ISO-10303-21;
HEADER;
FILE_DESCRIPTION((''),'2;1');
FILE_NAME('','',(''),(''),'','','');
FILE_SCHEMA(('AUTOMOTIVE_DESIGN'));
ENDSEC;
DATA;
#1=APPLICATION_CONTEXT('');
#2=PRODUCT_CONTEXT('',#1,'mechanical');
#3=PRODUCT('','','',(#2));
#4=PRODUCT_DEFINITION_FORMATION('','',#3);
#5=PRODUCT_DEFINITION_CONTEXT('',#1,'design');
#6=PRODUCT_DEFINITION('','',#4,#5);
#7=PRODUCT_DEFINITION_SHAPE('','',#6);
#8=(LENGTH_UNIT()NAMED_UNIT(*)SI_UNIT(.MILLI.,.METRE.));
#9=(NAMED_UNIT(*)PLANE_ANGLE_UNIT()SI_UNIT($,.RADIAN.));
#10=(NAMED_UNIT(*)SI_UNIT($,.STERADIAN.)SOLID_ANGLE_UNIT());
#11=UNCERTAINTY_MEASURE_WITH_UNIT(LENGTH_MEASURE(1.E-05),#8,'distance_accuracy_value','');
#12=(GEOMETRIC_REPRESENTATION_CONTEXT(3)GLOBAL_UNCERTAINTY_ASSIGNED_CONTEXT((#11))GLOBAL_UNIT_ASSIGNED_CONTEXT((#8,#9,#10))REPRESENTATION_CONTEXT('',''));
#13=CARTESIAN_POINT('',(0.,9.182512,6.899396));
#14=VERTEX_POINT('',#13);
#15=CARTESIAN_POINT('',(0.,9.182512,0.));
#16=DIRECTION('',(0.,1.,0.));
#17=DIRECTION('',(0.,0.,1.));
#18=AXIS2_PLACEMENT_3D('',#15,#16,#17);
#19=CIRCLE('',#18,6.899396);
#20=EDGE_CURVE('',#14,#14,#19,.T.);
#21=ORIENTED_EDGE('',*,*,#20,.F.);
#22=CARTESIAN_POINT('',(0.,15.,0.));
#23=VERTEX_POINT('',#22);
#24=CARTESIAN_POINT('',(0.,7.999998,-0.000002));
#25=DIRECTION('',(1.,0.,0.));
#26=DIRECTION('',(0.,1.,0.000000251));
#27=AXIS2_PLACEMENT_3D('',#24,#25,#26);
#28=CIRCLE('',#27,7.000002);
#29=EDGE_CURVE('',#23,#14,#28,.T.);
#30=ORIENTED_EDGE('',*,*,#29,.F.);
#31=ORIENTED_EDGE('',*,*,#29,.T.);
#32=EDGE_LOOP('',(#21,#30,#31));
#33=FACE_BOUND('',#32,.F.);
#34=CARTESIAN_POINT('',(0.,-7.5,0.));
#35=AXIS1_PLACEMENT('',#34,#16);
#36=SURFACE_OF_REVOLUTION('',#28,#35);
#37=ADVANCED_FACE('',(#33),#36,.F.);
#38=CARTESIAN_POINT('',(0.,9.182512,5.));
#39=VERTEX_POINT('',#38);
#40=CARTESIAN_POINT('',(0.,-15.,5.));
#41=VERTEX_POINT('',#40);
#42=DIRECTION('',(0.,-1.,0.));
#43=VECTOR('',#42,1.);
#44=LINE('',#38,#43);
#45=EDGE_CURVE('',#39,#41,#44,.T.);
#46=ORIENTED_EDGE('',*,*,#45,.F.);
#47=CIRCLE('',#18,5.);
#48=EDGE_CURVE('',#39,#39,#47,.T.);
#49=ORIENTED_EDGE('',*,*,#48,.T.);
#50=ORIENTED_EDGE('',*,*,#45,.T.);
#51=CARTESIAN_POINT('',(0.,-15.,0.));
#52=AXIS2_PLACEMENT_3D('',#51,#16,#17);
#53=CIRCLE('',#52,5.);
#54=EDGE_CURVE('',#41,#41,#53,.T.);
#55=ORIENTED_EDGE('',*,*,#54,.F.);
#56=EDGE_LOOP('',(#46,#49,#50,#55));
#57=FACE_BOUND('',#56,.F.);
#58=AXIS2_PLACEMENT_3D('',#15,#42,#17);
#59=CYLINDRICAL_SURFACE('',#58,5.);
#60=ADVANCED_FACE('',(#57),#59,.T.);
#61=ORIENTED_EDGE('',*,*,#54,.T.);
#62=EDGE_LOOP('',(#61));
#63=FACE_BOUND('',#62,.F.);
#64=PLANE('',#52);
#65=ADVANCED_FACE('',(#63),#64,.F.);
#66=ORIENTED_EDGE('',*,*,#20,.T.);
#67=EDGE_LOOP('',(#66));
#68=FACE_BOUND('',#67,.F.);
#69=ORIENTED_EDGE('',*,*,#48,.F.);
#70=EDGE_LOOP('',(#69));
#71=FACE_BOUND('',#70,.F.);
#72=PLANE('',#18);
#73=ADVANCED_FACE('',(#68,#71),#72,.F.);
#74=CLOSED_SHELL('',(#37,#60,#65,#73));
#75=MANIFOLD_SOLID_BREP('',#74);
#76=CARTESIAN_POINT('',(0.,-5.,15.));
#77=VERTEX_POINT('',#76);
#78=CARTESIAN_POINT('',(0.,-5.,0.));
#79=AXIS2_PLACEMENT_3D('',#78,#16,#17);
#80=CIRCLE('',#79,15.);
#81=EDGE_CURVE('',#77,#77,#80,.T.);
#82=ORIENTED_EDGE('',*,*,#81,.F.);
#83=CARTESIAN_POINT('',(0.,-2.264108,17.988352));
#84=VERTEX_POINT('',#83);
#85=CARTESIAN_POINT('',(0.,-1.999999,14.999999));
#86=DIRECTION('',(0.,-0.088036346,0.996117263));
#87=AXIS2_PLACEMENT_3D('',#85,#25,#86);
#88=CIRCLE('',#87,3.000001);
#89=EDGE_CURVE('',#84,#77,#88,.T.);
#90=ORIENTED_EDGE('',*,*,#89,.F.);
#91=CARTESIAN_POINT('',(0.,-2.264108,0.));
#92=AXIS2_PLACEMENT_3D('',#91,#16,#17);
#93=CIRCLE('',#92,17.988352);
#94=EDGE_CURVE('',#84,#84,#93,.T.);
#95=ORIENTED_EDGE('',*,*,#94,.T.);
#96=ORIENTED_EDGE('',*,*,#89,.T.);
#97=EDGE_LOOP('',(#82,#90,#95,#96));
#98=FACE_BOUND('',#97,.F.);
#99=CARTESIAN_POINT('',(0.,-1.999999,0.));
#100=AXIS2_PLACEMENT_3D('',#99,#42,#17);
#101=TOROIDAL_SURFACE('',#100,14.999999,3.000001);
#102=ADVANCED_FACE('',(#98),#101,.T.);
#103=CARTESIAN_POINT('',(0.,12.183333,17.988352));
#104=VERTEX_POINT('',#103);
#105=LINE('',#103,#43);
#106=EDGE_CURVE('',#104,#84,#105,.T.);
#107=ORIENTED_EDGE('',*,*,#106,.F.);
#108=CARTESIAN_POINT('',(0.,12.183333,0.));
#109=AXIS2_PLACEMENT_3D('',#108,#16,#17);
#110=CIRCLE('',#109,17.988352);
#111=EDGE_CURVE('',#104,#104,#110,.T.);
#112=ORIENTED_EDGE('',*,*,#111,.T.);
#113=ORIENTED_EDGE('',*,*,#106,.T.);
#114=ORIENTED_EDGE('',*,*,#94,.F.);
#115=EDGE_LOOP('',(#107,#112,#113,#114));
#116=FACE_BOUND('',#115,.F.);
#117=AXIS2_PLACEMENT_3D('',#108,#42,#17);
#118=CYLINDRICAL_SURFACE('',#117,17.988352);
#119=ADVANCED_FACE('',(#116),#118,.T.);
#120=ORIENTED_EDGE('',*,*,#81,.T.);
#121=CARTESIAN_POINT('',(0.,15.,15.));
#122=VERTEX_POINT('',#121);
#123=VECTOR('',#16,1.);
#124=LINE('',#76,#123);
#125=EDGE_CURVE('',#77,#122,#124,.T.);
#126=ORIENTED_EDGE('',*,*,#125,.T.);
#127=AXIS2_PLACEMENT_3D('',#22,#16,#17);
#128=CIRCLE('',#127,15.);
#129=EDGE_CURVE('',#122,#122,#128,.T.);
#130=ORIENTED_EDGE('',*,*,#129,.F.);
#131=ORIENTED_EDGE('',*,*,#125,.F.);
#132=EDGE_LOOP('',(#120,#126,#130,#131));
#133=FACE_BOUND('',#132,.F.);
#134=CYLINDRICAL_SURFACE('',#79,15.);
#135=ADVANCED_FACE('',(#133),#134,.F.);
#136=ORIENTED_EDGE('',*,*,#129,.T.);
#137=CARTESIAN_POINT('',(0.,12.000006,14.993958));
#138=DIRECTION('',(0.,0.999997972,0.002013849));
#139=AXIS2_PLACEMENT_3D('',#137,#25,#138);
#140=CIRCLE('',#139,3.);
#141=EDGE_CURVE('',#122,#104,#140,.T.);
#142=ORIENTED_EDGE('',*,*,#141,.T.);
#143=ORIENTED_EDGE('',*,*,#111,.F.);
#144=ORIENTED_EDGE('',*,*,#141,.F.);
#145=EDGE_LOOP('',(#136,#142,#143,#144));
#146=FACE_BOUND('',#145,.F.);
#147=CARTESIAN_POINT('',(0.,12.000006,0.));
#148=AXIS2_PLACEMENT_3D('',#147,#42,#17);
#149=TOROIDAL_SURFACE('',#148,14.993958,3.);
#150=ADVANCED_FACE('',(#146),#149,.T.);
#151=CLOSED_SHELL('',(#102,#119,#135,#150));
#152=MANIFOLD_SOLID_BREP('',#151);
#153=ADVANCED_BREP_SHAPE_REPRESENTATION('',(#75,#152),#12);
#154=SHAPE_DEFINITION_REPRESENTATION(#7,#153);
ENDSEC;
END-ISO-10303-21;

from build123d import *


with BuildPart() as f1:
    # F0 (on Right) → F1 (revolve)
    with BuildSketch(Plane.YZ):
        with BuildLine():
            Line((-5, 15), (15, 15))
            ThreePointArc((15, 15), (14.183111, 17.05164), (12.183333, 17.988352))
            Line((12.183333, 17.988352), (-2.264108, 17.988352))
            ThreePointArc((-2.264108, 17.988352), (-4.212727, 17.025793), (-5, 15))
        make_face()
        with BuildLine():
            Line((0, 0), (15, 0))
            ThreePointArc((15, 0), (13.351522, 4.512339), (9.182512, 6.899396))
            Line((9.182512, 6.899396), (9.182512, 5))
            Line((9.182512, 5), (0, 5))
            Line((0, 5), (-15, 5))
            Line((-15, 5), (-15, 0))
            Line((-15, 0), (0, 0))
        make_face()
    revolve(axis=Axis((0, -7.5, 0), (0, 1, 0)))


solid = f1.part
